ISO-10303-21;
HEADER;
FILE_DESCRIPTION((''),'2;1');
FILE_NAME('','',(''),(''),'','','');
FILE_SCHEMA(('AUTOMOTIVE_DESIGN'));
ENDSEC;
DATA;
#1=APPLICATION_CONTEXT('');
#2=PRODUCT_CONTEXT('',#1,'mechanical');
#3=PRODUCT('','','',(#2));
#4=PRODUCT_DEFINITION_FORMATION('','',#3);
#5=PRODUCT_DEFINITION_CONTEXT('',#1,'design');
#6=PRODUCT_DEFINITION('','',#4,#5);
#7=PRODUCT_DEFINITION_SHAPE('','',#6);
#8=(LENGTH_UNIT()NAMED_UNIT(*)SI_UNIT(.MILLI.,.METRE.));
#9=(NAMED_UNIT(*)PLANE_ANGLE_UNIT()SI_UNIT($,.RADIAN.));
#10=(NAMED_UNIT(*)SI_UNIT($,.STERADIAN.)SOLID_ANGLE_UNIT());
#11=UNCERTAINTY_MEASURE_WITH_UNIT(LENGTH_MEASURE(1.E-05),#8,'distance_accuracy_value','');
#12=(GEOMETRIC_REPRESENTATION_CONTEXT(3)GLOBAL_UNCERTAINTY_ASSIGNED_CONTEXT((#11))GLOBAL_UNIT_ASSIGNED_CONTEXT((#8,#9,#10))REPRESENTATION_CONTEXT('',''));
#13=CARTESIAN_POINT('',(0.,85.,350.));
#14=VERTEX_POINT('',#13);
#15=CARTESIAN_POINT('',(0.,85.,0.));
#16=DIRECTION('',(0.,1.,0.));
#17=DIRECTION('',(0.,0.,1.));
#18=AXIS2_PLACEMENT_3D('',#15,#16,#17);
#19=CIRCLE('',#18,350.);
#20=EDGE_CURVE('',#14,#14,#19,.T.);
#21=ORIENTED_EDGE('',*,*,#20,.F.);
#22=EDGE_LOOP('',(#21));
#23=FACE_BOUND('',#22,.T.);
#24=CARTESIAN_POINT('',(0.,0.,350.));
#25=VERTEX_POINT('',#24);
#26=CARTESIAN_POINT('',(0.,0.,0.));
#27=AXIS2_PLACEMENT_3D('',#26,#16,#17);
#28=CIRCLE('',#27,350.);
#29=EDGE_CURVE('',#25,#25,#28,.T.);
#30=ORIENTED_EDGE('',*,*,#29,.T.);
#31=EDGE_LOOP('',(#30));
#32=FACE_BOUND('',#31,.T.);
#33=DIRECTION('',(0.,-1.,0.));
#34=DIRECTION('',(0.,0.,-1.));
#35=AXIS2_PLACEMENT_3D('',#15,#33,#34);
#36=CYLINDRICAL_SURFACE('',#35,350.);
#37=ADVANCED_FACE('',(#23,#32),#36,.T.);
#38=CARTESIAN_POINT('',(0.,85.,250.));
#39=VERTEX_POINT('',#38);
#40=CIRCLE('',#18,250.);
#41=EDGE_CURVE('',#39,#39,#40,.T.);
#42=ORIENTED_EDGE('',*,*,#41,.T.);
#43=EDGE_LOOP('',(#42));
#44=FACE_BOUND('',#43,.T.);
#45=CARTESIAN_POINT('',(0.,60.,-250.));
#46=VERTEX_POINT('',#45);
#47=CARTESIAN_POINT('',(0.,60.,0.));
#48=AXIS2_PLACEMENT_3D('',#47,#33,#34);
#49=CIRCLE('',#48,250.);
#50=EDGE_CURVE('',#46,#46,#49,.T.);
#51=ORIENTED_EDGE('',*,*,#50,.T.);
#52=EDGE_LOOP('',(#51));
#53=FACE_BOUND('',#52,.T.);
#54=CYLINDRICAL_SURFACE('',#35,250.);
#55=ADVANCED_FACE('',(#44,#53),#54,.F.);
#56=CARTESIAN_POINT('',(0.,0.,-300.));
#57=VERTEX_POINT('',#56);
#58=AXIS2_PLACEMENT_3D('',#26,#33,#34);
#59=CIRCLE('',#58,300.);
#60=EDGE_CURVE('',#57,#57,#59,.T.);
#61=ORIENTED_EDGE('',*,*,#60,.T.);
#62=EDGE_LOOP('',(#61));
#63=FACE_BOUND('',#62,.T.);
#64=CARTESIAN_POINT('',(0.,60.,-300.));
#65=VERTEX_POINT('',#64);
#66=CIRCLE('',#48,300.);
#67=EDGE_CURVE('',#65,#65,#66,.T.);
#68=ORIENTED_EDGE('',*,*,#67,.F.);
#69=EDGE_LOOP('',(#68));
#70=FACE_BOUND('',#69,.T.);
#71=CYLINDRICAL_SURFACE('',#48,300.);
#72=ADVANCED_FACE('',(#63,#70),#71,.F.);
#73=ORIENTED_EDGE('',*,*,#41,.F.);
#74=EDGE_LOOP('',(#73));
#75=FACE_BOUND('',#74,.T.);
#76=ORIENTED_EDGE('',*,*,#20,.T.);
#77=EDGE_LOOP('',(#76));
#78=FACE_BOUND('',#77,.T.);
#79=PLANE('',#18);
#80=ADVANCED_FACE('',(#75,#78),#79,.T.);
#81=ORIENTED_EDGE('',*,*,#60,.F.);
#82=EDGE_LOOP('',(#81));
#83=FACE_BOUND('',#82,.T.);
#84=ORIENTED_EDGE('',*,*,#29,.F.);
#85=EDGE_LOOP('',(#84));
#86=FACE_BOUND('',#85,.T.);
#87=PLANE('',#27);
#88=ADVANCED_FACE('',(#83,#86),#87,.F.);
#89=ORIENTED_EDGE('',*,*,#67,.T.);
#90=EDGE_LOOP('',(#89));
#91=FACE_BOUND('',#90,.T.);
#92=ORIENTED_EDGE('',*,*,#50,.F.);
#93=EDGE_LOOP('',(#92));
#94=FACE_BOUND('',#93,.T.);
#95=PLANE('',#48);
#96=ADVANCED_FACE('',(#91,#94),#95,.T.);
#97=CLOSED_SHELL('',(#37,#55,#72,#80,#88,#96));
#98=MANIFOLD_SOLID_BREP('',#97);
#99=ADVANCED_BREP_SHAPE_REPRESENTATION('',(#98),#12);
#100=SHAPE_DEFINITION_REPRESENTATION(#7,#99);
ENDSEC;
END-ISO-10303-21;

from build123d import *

# Parameters (mm, degrees)
SKETCH2_R           = 350
SKETCH2_R_2         = 250
BOSS_EXTRUDE1_DEPTH = 85
SKETCH3_R           = 300
CUT_EXTRUDE1_DEPTH  = 60


with BuildPart() as part:
    # Sketch2 → Boss-Extrude1 (new body)
    with BuildSketch(Plane(origin=(0, 0, 0), x_dir=(1, 0, 0), z_dir=(0, 1, 0))):
        Circle(SKETCH2_R)
        Circle(SKETCH2_R_2, mode=Mode.SUBTRACT)
    extrude(amount=BOSS_EXTRUDE1_DEPTH)

    # Sketch3 → Cut-Extrude1 (cut)
    with BuildSketch(Plane.XZ):
        Circle(SKETCH3_R)
    extrude(amount=-CUT_EXTRUDE1_DEPTH, mode=Mode.SUBTRACT)


solid = part.part
